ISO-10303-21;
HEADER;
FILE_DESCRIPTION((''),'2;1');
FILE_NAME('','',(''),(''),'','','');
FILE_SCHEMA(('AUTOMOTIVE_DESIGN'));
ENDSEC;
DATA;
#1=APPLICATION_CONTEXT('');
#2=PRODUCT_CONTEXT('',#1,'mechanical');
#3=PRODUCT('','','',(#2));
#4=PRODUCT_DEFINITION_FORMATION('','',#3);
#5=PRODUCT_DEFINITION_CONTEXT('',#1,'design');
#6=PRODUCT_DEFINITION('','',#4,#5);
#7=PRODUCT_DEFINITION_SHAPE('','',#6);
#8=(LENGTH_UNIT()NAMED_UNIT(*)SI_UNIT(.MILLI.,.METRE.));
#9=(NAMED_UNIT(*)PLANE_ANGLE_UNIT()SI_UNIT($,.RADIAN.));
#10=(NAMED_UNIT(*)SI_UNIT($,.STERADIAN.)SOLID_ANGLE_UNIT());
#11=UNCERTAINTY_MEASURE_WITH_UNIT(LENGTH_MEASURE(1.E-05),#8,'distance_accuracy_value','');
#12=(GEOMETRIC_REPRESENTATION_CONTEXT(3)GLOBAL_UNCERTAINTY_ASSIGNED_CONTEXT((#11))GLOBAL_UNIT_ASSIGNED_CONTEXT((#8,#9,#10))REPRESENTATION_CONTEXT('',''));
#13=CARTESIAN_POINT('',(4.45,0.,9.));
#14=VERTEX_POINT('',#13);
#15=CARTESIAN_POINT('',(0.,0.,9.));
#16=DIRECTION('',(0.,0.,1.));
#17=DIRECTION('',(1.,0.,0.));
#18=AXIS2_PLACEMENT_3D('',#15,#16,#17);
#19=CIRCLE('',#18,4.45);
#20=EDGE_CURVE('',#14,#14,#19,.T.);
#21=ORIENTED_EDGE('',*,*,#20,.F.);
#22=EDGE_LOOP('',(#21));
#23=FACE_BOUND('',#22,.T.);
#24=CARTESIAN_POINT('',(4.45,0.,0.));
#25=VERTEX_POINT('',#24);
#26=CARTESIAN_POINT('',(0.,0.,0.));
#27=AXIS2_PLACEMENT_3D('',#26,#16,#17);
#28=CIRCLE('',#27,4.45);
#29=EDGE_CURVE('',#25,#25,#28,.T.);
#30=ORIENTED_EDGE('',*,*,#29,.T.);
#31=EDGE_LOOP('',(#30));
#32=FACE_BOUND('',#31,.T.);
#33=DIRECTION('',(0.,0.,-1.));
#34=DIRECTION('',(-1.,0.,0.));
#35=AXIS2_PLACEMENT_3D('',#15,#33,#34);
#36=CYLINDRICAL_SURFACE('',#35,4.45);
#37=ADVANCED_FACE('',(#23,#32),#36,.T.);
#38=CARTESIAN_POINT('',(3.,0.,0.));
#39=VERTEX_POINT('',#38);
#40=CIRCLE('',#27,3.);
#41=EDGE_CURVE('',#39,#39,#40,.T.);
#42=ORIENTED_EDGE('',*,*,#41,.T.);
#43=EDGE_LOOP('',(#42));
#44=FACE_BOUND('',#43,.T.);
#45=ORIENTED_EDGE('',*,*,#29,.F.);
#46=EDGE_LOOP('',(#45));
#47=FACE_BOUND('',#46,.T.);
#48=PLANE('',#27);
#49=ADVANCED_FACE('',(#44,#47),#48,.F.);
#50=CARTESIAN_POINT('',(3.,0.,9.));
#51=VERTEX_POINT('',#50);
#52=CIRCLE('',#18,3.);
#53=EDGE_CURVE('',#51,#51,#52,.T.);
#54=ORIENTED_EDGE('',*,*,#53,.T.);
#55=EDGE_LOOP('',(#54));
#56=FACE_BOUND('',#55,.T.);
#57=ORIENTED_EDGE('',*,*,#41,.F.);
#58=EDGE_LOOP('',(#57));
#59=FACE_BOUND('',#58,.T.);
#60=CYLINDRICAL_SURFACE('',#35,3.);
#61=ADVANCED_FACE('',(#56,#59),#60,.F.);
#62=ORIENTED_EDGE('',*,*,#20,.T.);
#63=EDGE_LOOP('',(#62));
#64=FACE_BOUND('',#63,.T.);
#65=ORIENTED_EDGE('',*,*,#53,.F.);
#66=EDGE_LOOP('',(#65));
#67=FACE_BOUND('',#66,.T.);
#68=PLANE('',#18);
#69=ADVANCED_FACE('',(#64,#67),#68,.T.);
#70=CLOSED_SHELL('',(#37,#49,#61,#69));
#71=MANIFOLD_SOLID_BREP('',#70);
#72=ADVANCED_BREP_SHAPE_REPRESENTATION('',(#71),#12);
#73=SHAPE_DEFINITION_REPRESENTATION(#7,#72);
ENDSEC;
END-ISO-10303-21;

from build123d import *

# Parameters (mm, degrees)
SKETCH_1_R      = 4.45
SKETCH_1_R_2    = 3
EXTRUDE_1_DEPTH = 9


with BuildPart() as part:
    # 草圖1 → 填料-伸長1 (new body)
    with BuildSketch(Plane.XY):
        Circle(SKETCH_1_R)
        Circle(SKETCH_1_R_2, mode=Mode.SUBTRACT)
    extrude(amount=EXTRUDE_1_DEPTH)


solid = part.part
